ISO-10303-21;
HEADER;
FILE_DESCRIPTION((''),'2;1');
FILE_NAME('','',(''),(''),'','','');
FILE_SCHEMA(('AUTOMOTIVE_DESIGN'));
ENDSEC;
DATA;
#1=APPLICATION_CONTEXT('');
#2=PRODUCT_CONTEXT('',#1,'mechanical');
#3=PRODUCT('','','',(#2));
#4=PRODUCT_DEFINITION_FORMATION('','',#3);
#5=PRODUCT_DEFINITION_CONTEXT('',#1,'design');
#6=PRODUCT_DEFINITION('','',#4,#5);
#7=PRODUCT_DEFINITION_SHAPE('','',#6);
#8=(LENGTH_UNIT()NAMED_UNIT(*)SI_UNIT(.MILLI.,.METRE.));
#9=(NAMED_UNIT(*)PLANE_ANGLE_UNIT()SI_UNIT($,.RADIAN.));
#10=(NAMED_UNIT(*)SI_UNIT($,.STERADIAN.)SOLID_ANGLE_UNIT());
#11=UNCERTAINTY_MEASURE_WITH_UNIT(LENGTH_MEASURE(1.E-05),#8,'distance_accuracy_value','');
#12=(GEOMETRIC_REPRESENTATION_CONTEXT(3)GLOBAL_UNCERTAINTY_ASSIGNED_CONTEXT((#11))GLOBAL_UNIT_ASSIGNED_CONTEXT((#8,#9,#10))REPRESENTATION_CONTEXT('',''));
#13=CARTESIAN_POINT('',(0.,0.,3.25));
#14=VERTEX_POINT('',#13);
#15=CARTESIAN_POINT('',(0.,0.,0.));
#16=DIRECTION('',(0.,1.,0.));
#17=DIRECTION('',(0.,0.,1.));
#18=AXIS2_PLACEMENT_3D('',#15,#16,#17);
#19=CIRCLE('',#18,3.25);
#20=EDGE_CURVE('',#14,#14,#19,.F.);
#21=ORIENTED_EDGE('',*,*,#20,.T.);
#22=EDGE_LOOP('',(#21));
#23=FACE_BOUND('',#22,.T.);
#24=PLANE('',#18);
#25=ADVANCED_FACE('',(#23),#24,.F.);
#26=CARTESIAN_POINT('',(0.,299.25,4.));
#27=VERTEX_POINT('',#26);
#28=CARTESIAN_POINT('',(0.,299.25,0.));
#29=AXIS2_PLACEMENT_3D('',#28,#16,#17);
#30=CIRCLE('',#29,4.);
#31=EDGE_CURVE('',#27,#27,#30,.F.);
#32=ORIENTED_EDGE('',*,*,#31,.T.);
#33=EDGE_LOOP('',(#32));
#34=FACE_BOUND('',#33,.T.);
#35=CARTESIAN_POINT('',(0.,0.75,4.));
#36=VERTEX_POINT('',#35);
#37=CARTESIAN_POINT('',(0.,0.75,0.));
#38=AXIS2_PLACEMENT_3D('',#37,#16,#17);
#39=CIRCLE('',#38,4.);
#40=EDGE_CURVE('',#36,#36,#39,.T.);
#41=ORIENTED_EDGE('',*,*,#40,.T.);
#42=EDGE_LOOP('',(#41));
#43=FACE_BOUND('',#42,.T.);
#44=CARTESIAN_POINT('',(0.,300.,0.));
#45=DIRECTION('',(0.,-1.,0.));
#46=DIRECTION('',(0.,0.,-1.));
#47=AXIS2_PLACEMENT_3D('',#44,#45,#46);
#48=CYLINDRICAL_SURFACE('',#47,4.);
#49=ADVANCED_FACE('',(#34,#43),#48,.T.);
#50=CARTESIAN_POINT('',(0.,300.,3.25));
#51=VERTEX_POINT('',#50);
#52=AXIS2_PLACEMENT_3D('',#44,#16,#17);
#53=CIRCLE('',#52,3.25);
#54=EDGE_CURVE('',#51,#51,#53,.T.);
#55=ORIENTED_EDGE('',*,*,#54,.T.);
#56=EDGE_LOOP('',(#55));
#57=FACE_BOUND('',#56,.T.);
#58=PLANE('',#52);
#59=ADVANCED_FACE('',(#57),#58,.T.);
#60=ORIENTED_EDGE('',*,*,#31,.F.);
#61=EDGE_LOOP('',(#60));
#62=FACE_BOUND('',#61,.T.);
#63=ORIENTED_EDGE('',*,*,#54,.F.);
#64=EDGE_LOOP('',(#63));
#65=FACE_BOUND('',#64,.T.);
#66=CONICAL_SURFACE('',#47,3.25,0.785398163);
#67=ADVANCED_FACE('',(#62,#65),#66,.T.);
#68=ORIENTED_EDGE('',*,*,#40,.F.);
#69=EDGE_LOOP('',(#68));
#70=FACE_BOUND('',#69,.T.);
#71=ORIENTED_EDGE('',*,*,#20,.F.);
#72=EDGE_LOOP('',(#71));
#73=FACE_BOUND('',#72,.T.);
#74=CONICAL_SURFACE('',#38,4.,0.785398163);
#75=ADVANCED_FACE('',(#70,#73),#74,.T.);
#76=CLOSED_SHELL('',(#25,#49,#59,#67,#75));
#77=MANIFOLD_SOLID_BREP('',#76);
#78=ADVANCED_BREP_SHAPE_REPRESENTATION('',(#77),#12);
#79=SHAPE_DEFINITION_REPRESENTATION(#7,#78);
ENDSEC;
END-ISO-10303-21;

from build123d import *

# Parameters (mm, degrees)
SKETCH1_R           = 4
BOSS_EXTRUDE1_DEPTH = 300
CHAMFER1_SIZE       = 0.75


with BuildPart() as part:
    # Sketch1 → Boss-Extrude1 (new body)
    with BuildSketch(Plane(origin=(0, 0, 0), x_dir=(1, 0, 0), z_dir=(0, 1, 0))):
        with Locations(Location((0, 0, 0), (0, 0, 270))):
            Circle(SKETCH1_R)
    extrude(amount=BOSS_EXTRUDE1_DEPTH)

    # Chamfer1
    chamfer1_edges = [part.edges().sort_by_distance(p)[0] for p in [
        (0, 0, -4),
        (0, 300, -4),
    ]]
    chamfer(chamfer1_edges, length=CHAMFER1_SIZE)


solid = part.part
